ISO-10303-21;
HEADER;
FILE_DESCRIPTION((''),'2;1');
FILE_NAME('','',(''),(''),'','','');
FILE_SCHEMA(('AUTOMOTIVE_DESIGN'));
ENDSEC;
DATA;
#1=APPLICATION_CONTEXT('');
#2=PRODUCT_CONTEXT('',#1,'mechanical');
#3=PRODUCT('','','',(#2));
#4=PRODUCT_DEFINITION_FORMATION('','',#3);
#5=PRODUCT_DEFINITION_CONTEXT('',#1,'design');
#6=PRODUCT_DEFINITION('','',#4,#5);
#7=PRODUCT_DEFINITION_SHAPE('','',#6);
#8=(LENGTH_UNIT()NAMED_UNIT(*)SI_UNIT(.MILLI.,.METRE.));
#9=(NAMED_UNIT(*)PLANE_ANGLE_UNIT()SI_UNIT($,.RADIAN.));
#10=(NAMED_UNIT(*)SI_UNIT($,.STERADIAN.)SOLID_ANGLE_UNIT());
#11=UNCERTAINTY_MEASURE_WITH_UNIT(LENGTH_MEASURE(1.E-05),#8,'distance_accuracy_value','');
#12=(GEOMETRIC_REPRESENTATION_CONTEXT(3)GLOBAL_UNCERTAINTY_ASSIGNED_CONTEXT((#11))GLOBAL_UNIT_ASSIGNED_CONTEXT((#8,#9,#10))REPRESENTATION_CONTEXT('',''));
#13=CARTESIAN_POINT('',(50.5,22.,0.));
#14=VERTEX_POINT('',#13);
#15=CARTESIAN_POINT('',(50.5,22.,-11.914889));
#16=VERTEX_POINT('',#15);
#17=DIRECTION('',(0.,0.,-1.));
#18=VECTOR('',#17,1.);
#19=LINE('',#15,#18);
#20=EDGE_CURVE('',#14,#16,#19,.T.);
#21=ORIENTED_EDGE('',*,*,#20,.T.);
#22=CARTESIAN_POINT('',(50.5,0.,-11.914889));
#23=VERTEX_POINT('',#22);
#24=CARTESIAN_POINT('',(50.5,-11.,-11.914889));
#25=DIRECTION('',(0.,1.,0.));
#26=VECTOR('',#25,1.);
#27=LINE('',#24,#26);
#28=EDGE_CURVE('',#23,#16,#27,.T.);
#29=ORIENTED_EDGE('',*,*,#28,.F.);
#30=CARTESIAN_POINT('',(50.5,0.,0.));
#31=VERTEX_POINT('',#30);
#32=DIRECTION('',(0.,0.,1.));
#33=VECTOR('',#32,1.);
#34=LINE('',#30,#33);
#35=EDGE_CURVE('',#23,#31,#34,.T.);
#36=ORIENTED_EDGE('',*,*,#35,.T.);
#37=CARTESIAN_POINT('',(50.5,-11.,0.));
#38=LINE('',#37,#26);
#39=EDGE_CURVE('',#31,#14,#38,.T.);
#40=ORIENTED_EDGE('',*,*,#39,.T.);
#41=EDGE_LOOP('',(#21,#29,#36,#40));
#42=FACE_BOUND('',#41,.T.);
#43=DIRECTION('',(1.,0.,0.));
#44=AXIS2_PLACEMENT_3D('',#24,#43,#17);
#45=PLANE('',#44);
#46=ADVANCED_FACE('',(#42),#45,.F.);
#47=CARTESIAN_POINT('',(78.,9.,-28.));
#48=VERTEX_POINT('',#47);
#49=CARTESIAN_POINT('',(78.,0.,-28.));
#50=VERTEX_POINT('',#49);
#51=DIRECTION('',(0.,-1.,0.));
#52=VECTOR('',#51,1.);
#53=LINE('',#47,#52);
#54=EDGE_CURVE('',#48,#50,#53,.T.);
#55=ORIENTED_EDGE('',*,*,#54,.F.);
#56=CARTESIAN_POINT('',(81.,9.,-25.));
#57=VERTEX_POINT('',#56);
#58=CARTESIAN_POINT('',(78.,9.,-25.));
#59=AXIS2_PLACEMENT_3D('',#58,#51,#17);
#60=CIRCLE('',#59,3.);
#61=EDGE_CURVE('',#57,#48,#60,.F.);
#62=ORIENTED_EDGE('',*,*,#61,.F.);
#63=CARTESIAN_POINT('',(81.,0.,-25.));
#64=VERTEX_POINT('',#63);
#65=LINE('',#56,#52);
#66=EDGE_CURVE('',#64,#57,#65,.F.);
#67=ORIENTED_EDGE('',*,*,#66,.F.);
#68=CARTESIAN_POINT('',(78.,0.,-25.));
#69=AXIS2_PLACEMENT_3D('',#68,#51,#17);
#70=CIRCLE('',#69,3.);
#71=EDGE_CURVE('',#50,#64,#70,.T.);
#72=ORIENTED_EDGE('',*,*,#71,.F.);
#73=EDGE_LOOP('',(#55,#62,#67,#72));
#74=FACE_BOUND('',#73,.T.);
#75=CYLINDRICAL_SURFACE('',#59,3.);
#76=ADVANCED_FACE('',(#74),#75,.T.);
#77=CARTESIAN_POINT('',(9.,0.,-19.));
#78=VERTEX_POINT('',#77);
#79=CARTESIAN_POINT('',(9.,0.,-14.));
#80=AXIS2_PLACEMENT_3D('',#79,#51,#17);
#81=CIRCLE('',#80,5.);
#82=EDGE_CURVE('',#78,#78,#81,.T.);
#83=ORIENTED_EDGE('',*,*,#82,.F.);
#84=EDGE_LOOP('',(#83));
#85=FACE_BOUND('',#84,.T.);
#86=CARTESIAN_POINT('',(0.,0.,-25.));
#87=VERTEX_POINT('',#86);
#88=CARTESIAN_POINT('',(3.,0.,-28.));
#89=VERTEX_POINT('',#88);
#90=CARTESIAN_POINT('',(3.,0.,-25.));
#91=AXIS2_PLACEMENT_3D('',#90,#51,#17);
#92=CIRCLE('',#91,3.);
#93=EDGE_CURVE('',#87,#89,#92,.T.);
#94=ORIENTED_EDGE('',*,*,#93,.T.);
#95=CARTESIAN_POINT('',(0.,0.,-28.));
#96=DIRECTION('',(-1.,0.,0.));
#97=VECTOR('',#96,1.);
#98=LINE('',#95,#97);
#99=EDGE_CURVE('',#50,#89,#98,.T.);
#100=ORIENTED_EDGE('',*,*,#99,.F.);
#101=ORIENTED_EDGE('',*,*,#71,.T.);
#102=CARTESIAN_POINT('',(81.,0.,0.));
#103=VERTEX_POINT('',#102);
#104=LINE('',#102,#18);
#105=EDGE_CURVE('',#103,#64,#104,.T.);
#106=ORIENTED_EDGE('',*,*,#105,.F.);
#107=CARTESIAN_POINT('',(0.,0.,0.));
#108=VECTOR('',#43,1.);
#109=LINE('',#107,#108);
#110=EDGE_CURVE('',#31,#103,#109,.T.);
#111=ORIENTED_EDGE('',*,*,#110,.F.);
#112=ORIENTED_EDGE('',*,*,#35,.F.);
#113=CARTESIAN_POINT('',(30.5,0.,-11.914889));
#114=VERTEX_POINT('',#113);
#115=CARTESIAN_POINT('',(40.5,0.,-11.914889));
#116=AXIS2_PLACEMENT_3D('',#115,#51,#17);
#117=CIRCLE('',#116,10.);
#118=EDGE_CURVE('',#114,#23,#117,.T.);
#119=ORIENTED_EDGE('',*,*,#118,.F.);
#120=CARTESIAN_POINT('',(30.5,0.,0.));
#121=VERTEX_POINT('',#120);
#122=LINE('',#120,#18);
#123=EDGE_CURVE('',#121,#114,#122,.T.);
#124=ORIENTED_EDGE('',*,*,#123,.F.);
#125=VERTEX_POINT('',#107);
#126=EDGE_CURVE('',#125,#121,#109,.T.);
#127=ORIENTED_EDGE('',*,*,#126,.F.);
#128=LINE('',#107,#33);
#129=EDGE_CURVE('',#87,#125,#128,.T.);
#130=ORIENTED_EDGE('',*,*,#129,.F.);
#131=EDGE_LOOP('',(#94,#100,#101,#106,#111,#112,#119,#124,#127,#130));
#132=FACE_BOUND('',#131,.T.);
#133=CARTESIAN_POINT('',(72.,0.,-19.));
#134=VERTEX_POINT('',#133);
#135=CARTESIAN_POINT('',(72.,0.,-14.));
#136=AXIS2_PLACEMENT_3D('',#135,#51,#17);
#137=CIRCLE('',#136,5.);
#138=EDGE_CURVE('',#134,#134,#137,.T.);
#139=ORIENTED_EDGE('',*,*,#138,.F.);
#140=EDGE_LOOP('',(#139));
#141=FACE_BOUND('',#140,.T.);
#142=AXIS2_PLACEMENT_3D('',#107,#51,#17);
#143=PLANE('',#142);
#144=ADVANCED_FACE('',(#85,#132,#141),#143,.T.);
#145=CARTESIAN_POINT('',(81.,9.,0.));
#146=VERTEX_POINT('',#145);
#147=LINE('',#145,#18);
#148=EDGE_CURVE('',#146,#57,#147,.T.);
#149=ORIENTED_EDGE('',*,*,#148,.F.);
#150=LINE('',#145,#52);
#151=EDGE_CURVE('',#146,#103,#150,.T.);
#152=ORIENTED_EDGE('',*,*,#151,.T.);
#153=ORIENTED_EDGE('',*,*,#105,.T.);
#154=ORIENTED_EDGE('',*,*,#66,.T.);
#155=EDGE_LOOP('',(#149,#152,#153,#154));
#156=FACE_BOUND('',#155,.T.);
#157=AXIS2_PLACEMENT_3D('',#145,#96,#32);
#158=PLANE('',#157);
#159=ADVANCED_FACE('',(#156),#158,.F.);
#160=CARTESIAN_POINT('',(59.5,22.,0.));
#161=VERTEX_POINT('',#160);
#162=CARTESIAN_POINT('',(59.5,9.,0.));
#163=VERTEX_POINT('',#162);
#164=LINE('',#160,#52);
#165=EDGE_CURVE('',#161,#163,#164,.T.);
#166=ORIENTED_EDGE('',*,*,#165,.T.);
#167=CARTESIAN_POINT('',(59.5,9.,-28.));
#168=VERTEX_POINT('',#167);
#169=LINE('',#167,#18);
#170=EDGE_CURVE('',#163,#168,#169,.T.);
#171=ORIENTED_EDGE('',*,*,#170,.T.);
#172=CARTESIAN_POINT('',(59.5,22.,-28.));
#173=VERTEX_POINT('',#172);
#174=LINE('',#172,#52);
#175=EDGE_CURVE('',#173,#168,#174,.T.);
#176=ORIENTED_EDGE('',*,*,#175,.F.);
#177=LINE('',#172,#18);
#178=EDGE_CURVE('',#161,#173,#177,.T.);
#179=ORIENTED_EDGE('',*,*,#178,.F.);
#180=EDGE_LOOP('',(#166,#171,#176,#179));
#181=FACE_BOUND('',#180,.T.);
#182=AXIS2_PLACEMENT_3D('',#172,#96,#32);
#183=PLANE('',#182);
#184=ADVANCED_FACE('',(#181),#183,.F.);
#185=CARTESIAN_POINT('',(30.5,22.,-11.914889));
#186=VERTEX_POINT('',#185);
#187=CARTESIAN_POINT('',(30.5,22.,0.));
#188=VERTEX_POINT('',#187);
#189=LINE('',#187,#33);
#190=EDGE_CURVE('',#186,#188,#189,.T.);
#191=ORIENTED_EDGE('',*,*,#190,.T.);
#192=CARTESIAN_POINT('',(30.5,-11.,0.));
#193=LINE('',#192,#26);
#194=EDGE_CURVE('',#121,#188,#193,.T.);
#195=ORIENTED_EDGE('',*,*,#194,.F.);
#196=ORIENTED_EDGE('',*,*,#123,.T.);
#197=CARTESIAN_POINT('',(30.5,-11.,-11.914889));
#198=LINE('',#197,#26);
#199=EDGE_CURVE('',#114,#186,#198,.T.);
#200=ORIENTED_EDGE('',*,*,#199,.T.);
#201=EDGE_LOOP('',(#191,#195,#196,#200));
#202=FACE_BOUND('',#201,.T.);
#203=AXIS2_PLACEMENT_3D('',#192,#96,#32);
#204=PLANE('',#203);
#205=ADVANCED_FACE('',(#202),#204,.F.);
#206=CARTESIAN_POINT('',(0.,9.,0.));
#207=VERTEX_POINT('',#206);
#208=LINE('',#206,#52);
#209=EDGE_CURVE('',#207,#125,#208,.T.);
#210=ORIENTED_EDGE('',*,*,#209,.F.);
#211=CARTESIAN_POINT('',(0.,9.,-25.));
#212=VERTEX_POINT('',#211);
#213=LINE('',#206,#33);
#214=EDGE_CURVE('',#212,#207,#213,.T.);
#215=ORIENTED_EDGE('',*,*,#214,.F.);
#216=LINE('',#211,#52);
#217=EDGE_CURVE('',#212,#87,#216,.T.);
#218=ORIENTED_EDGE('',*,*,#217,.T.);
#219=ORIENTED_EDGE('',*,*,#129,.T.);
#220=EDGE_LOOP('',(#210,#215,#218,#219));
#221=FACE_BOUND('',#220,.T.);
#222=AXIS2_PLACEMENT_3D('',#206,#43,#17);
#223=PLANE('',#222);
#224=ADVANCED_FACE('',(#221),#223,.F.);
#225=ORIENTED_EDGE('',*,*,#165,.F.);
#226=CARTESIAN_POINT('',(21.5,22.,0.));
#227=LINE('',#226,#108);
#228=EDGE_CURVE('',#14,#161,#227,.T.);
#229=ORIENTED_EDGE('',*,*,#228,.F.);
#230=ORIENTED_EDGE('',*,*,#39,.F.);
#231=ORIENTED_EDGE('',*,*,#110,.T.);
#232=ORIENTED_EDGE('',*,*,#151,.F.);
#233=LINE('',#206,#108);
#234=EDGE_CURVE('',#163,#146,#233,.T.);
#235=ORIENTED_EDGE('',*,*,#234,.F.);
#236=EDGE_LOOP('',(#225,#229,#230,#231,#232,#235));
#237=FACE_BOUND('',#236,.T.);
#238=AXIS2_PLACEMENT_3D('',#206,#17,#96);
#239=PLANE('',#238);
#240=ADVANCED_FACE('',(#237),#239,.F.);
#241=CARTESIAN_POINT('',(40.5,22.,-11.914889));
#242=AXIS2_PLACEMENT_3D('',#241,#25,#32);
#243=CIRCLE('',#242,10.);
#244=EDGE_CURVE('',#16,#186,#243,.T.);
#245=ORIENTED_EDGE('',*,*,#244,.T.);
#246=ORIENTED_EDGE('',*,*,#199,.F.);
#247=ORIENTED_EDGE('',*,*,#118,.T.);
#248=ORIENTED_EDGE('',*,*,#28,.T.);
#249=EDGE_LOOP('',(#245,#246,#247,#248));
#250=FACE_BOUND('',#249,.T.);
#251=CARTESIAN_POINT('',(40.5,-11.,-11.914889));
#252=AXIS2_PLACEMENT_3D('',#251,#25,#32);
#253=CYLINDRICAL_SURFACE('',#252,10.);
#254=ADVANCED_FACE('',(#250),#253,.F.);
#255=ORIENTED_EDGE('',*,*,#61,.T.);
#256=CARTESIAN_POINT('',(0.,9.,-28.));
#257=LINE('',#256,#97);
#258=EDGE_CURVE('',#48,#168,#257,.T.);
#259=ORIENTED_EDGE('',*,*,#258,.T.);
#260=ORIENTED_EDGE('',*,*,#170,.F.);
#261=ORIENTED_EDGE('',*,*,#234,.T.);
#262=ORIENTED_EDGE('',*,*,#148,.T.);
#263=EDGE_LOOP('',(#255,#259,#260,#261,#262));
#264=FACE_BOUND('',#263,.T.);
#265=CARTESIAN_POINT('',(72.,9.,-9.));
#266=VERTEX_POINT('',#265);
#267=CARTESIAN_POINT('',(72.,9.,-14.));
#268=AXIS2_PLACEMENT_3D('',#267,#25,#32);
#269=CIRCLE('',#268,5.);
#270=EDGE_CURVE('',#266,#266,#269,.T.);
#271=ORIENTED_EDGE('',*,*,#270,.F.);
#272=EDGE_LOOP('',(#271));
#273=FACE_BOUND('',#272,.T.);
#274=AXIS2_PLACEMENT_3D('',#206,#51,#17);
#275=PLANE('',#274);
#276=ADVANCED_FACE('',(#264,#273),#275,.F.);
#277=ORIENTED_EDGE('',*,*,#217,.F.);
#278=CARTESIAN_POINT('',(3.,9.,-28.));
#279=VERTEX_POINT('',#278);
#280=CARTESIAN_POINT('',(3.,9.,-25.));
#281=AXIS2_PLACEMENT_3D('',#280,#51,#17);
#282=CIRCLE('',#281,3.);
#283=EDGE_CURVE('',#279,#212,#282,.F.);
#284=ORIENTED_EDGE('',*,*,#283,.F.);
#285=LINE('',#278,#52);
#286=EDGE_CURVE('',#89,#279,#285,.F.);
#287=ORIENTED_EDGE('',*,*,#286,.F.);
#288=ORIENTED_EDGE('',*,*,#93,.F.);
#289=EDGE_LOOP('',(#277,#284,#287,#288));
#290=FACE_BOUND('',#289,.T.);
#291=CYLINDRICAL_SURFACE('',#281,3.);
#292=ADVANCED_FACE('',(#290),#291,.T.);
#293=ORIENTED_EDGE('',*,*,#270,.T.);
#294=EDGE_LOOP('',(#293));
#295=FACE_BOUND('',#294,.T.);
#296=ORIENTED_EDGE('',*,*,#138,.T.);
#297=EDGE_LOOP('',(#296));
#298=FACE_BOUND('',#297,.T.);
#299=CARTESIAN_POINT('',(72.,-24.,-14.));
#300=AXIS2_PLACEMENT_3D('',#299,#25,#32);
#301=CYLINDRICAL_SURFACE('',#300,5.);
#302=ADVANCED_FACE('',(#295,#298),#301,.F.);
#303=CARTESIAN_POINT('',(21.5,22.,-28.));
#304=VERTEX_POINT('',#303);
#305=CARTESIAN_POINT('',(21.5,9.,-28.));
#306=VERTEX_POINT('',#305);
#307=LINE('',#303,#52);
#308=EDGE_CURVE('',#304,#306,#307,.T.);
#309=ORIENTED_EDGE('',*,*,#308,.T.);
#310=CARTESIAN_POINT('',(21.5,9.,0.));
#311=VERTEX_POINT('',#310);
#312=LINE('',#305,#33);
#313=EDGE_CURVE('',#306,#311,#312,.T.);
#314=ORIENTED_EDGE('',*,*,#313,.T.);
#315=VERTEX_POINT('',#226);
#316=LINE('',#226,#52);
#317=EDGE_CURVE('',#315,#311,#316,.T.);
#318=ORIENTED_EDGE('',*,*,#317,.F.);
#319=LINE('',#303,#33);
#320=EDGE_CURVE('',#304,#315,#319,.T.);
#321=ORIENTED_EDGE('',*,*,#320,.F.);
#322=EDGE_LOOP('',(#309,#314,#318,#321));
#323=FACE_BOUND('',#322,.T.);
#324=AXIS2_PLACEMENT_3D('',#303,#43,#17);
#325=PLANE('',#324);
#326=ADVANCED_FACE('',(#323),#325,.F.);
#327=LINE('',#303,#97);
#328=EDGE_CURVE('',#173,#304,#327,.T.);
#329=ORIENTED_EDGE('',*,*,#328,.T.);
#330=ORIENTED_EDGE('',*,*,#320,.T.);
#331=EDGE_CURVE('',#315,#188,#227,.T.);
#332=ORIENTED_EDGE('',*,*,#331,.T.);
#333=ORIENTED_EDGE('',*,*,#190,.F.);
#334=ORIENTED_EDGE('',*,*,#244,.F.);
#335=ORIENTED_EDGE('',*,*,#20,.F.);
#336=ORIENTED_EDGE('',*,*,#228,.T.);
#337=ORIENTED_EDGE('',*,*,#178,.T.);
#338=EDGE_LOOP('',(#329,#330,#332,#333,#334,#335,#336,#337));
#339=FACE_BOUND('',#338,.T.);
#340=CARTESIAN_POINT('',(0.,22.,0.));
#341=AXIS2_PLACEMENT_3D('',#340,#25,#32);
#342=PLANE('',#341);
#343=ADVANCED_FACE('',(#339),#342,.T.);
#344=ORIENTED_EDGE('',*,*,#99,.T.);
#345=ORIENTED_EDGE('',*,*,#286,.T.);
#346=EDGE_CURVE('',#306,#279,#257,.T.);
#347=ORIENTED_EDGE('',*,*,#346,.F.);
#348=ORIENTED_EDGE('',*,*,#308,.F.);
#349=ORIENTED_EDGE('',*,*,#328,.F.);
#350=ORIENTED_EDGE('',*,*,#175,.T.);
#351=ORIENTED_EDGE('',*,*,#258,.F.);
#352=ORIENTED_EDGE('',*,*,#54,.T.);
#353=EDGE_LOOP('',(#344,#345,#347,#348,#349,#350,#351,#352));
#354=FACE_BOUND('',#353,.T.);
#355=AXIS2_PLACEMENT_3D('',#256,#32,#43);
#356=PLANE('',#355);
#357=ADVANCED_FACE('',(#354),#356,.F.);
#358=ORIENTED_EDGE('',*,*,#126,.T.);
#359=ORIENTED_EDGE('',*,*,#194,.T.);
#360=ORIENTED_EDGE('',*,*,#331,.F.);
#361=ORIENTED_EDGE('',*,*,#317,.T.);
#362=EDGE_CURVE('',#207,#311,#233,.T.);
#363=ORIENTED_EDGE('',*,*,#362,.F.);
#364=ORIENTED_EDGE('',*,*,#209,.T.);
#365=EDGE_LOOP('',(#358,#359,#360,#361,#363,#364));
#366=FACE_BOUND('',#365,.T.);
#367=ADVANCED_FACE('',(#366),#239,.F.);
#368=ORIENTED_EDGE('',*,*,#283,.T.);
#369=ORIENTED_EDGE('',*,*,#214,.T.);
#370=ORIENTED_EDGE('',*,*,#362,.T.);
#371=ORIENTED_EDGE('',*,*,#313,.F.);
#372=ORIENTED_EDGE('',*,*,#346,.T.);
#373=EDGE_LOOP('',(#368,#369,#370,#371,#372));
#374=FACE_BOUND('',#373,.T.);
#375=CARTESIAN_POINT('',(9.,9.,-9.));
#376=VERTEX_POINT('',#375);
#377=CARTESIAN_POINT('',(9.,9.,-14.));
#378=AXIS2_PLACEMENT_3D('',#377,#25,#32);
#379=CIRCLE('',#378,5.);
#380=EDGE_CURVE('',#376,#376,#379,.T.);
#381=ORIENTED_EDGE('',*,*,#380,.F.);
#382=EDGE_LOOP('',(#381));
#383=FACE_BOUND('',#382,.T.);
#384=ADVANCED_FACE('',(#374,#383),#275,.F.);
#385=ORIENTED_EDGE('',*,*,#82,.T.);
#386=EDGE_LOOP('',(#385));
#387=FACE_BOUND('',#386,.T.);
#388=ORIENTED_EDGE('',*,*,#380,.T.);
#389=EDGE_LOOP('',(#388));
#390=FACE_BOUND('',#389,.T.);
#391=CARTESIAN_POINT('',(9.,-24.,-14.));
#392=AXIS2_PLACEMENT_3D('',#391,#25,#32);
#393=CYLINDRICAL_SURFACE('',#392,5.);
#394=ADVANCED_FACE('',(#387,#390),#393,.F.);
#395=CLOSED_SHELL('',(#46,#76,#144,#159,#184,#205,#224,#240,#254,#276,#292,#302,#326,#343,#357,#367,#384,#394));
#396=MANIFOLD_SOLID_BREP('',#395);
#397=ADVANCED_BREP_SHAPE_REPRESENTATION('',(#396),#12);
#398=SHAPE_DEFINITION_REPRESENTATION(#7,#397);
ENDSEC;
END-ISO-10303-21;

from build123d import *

# Parameters (mm, degrees)
SKETCH_1_W          = 81
SKETCH_1_H          = 28
EXTRUDE_1_DEPTH     = 9
SKETCH_2_W          = 38
SKETCH_2_H          = 28
EXTRUDE_2_DEPTH     = 13
CUT_EXTRUDE_1_DEPTH = 33
SKETCH_4_R          = 5
CUT_EXTRUDE_2_DEPTH = 33
SKETCH_5_R          = 5
CUT_EXTRUDE_3_DEPTH = 33
FILLET_1_R          = 3


with BuildPart() as part:
    # 스케치1 → 보스-돌출1 (new body)
    with BuildSketch(Plane(origin=(0, 0, 0), x_dir=(1, 0, 0), z_dir=(0, 1, 0))):
        with Locations((40.5, 14)):
            Rectangle(SKETCH_1_W, SKETCH_1_H)
    extrude(amount=EXTRUDE_1_DEPTH)

    # 스케치2 → 보스-돌출2 (add)
    with BuildSketch(Plane(origin=(0, 9, 0), x_dir=(1, 0, 0), z_dir=(0, 1, 0))):
        with Locations((40.5, 14)):
            Rectangle(SKETCH_2_W, SKETCH_2_H)
    extrude(amount=EXTRUDE_2_DEPTH)

    # 스케치3 → 컷-돌출1 (cut)
    with BuildSketch(Plane(origin=(0, 22, 0), x_dir=(1, 0, 0), z_dir=(0, 1, 0))):
        with BuildLine():
            Line((30.5, 0), (30.5, 11.914888689))
            ThreePointArc((30.5, 11.914888689), (40.5, 21.914888689), (50.5, 11.914888689))
            Line((50.5, 11.914888689), (50.5, 0))
            Line((50.5, 0), (30.5, 0))
        make_face()
    extrude(amount=-CUT_EXTRUDE_1_DEPTH, mode=Mode.SUBTRACT)

    # 스케치4 → 컷-돌출2 (cut)
    with BuildSketch(Plane(origin=(0, 9, 0), x_dir=(1, 0, 0), z_dir=(0, 1, 0))):
        with Locations(Location((9, 14, 0), (0, 0, 270))):
            Circle(SKETCH_4_R)
    extrude(amount=-CUT_EXTRUDE_2_DEPTH, mode=Mode.SUBTRACT)

    # 스케치5 → 컷-돌출3 (cut)
    with BuildSketch(Plane(origin=(0, 9, 0), x_dir=(1, 0, 0), z_dir=(0, 1, 0))):
        with Locations(Location((72, 14, 0), (0, 0, 270))):
            Circle(SKETCH_5_R)
    extrude(amount=-CUT_EXTRUDE_3_DEPTH, mode=Mode.SUBTRACT)

    # 필렛1
    fillet_1_edges = [part.edges().sort_by_distance(p)[0] for p in [
        (0, 4.5, -28),
        (81, 4.5, -28),
    ]]
    fillet(fillet_1_edges, radius=FILLET_1_R)


solid = part.part
